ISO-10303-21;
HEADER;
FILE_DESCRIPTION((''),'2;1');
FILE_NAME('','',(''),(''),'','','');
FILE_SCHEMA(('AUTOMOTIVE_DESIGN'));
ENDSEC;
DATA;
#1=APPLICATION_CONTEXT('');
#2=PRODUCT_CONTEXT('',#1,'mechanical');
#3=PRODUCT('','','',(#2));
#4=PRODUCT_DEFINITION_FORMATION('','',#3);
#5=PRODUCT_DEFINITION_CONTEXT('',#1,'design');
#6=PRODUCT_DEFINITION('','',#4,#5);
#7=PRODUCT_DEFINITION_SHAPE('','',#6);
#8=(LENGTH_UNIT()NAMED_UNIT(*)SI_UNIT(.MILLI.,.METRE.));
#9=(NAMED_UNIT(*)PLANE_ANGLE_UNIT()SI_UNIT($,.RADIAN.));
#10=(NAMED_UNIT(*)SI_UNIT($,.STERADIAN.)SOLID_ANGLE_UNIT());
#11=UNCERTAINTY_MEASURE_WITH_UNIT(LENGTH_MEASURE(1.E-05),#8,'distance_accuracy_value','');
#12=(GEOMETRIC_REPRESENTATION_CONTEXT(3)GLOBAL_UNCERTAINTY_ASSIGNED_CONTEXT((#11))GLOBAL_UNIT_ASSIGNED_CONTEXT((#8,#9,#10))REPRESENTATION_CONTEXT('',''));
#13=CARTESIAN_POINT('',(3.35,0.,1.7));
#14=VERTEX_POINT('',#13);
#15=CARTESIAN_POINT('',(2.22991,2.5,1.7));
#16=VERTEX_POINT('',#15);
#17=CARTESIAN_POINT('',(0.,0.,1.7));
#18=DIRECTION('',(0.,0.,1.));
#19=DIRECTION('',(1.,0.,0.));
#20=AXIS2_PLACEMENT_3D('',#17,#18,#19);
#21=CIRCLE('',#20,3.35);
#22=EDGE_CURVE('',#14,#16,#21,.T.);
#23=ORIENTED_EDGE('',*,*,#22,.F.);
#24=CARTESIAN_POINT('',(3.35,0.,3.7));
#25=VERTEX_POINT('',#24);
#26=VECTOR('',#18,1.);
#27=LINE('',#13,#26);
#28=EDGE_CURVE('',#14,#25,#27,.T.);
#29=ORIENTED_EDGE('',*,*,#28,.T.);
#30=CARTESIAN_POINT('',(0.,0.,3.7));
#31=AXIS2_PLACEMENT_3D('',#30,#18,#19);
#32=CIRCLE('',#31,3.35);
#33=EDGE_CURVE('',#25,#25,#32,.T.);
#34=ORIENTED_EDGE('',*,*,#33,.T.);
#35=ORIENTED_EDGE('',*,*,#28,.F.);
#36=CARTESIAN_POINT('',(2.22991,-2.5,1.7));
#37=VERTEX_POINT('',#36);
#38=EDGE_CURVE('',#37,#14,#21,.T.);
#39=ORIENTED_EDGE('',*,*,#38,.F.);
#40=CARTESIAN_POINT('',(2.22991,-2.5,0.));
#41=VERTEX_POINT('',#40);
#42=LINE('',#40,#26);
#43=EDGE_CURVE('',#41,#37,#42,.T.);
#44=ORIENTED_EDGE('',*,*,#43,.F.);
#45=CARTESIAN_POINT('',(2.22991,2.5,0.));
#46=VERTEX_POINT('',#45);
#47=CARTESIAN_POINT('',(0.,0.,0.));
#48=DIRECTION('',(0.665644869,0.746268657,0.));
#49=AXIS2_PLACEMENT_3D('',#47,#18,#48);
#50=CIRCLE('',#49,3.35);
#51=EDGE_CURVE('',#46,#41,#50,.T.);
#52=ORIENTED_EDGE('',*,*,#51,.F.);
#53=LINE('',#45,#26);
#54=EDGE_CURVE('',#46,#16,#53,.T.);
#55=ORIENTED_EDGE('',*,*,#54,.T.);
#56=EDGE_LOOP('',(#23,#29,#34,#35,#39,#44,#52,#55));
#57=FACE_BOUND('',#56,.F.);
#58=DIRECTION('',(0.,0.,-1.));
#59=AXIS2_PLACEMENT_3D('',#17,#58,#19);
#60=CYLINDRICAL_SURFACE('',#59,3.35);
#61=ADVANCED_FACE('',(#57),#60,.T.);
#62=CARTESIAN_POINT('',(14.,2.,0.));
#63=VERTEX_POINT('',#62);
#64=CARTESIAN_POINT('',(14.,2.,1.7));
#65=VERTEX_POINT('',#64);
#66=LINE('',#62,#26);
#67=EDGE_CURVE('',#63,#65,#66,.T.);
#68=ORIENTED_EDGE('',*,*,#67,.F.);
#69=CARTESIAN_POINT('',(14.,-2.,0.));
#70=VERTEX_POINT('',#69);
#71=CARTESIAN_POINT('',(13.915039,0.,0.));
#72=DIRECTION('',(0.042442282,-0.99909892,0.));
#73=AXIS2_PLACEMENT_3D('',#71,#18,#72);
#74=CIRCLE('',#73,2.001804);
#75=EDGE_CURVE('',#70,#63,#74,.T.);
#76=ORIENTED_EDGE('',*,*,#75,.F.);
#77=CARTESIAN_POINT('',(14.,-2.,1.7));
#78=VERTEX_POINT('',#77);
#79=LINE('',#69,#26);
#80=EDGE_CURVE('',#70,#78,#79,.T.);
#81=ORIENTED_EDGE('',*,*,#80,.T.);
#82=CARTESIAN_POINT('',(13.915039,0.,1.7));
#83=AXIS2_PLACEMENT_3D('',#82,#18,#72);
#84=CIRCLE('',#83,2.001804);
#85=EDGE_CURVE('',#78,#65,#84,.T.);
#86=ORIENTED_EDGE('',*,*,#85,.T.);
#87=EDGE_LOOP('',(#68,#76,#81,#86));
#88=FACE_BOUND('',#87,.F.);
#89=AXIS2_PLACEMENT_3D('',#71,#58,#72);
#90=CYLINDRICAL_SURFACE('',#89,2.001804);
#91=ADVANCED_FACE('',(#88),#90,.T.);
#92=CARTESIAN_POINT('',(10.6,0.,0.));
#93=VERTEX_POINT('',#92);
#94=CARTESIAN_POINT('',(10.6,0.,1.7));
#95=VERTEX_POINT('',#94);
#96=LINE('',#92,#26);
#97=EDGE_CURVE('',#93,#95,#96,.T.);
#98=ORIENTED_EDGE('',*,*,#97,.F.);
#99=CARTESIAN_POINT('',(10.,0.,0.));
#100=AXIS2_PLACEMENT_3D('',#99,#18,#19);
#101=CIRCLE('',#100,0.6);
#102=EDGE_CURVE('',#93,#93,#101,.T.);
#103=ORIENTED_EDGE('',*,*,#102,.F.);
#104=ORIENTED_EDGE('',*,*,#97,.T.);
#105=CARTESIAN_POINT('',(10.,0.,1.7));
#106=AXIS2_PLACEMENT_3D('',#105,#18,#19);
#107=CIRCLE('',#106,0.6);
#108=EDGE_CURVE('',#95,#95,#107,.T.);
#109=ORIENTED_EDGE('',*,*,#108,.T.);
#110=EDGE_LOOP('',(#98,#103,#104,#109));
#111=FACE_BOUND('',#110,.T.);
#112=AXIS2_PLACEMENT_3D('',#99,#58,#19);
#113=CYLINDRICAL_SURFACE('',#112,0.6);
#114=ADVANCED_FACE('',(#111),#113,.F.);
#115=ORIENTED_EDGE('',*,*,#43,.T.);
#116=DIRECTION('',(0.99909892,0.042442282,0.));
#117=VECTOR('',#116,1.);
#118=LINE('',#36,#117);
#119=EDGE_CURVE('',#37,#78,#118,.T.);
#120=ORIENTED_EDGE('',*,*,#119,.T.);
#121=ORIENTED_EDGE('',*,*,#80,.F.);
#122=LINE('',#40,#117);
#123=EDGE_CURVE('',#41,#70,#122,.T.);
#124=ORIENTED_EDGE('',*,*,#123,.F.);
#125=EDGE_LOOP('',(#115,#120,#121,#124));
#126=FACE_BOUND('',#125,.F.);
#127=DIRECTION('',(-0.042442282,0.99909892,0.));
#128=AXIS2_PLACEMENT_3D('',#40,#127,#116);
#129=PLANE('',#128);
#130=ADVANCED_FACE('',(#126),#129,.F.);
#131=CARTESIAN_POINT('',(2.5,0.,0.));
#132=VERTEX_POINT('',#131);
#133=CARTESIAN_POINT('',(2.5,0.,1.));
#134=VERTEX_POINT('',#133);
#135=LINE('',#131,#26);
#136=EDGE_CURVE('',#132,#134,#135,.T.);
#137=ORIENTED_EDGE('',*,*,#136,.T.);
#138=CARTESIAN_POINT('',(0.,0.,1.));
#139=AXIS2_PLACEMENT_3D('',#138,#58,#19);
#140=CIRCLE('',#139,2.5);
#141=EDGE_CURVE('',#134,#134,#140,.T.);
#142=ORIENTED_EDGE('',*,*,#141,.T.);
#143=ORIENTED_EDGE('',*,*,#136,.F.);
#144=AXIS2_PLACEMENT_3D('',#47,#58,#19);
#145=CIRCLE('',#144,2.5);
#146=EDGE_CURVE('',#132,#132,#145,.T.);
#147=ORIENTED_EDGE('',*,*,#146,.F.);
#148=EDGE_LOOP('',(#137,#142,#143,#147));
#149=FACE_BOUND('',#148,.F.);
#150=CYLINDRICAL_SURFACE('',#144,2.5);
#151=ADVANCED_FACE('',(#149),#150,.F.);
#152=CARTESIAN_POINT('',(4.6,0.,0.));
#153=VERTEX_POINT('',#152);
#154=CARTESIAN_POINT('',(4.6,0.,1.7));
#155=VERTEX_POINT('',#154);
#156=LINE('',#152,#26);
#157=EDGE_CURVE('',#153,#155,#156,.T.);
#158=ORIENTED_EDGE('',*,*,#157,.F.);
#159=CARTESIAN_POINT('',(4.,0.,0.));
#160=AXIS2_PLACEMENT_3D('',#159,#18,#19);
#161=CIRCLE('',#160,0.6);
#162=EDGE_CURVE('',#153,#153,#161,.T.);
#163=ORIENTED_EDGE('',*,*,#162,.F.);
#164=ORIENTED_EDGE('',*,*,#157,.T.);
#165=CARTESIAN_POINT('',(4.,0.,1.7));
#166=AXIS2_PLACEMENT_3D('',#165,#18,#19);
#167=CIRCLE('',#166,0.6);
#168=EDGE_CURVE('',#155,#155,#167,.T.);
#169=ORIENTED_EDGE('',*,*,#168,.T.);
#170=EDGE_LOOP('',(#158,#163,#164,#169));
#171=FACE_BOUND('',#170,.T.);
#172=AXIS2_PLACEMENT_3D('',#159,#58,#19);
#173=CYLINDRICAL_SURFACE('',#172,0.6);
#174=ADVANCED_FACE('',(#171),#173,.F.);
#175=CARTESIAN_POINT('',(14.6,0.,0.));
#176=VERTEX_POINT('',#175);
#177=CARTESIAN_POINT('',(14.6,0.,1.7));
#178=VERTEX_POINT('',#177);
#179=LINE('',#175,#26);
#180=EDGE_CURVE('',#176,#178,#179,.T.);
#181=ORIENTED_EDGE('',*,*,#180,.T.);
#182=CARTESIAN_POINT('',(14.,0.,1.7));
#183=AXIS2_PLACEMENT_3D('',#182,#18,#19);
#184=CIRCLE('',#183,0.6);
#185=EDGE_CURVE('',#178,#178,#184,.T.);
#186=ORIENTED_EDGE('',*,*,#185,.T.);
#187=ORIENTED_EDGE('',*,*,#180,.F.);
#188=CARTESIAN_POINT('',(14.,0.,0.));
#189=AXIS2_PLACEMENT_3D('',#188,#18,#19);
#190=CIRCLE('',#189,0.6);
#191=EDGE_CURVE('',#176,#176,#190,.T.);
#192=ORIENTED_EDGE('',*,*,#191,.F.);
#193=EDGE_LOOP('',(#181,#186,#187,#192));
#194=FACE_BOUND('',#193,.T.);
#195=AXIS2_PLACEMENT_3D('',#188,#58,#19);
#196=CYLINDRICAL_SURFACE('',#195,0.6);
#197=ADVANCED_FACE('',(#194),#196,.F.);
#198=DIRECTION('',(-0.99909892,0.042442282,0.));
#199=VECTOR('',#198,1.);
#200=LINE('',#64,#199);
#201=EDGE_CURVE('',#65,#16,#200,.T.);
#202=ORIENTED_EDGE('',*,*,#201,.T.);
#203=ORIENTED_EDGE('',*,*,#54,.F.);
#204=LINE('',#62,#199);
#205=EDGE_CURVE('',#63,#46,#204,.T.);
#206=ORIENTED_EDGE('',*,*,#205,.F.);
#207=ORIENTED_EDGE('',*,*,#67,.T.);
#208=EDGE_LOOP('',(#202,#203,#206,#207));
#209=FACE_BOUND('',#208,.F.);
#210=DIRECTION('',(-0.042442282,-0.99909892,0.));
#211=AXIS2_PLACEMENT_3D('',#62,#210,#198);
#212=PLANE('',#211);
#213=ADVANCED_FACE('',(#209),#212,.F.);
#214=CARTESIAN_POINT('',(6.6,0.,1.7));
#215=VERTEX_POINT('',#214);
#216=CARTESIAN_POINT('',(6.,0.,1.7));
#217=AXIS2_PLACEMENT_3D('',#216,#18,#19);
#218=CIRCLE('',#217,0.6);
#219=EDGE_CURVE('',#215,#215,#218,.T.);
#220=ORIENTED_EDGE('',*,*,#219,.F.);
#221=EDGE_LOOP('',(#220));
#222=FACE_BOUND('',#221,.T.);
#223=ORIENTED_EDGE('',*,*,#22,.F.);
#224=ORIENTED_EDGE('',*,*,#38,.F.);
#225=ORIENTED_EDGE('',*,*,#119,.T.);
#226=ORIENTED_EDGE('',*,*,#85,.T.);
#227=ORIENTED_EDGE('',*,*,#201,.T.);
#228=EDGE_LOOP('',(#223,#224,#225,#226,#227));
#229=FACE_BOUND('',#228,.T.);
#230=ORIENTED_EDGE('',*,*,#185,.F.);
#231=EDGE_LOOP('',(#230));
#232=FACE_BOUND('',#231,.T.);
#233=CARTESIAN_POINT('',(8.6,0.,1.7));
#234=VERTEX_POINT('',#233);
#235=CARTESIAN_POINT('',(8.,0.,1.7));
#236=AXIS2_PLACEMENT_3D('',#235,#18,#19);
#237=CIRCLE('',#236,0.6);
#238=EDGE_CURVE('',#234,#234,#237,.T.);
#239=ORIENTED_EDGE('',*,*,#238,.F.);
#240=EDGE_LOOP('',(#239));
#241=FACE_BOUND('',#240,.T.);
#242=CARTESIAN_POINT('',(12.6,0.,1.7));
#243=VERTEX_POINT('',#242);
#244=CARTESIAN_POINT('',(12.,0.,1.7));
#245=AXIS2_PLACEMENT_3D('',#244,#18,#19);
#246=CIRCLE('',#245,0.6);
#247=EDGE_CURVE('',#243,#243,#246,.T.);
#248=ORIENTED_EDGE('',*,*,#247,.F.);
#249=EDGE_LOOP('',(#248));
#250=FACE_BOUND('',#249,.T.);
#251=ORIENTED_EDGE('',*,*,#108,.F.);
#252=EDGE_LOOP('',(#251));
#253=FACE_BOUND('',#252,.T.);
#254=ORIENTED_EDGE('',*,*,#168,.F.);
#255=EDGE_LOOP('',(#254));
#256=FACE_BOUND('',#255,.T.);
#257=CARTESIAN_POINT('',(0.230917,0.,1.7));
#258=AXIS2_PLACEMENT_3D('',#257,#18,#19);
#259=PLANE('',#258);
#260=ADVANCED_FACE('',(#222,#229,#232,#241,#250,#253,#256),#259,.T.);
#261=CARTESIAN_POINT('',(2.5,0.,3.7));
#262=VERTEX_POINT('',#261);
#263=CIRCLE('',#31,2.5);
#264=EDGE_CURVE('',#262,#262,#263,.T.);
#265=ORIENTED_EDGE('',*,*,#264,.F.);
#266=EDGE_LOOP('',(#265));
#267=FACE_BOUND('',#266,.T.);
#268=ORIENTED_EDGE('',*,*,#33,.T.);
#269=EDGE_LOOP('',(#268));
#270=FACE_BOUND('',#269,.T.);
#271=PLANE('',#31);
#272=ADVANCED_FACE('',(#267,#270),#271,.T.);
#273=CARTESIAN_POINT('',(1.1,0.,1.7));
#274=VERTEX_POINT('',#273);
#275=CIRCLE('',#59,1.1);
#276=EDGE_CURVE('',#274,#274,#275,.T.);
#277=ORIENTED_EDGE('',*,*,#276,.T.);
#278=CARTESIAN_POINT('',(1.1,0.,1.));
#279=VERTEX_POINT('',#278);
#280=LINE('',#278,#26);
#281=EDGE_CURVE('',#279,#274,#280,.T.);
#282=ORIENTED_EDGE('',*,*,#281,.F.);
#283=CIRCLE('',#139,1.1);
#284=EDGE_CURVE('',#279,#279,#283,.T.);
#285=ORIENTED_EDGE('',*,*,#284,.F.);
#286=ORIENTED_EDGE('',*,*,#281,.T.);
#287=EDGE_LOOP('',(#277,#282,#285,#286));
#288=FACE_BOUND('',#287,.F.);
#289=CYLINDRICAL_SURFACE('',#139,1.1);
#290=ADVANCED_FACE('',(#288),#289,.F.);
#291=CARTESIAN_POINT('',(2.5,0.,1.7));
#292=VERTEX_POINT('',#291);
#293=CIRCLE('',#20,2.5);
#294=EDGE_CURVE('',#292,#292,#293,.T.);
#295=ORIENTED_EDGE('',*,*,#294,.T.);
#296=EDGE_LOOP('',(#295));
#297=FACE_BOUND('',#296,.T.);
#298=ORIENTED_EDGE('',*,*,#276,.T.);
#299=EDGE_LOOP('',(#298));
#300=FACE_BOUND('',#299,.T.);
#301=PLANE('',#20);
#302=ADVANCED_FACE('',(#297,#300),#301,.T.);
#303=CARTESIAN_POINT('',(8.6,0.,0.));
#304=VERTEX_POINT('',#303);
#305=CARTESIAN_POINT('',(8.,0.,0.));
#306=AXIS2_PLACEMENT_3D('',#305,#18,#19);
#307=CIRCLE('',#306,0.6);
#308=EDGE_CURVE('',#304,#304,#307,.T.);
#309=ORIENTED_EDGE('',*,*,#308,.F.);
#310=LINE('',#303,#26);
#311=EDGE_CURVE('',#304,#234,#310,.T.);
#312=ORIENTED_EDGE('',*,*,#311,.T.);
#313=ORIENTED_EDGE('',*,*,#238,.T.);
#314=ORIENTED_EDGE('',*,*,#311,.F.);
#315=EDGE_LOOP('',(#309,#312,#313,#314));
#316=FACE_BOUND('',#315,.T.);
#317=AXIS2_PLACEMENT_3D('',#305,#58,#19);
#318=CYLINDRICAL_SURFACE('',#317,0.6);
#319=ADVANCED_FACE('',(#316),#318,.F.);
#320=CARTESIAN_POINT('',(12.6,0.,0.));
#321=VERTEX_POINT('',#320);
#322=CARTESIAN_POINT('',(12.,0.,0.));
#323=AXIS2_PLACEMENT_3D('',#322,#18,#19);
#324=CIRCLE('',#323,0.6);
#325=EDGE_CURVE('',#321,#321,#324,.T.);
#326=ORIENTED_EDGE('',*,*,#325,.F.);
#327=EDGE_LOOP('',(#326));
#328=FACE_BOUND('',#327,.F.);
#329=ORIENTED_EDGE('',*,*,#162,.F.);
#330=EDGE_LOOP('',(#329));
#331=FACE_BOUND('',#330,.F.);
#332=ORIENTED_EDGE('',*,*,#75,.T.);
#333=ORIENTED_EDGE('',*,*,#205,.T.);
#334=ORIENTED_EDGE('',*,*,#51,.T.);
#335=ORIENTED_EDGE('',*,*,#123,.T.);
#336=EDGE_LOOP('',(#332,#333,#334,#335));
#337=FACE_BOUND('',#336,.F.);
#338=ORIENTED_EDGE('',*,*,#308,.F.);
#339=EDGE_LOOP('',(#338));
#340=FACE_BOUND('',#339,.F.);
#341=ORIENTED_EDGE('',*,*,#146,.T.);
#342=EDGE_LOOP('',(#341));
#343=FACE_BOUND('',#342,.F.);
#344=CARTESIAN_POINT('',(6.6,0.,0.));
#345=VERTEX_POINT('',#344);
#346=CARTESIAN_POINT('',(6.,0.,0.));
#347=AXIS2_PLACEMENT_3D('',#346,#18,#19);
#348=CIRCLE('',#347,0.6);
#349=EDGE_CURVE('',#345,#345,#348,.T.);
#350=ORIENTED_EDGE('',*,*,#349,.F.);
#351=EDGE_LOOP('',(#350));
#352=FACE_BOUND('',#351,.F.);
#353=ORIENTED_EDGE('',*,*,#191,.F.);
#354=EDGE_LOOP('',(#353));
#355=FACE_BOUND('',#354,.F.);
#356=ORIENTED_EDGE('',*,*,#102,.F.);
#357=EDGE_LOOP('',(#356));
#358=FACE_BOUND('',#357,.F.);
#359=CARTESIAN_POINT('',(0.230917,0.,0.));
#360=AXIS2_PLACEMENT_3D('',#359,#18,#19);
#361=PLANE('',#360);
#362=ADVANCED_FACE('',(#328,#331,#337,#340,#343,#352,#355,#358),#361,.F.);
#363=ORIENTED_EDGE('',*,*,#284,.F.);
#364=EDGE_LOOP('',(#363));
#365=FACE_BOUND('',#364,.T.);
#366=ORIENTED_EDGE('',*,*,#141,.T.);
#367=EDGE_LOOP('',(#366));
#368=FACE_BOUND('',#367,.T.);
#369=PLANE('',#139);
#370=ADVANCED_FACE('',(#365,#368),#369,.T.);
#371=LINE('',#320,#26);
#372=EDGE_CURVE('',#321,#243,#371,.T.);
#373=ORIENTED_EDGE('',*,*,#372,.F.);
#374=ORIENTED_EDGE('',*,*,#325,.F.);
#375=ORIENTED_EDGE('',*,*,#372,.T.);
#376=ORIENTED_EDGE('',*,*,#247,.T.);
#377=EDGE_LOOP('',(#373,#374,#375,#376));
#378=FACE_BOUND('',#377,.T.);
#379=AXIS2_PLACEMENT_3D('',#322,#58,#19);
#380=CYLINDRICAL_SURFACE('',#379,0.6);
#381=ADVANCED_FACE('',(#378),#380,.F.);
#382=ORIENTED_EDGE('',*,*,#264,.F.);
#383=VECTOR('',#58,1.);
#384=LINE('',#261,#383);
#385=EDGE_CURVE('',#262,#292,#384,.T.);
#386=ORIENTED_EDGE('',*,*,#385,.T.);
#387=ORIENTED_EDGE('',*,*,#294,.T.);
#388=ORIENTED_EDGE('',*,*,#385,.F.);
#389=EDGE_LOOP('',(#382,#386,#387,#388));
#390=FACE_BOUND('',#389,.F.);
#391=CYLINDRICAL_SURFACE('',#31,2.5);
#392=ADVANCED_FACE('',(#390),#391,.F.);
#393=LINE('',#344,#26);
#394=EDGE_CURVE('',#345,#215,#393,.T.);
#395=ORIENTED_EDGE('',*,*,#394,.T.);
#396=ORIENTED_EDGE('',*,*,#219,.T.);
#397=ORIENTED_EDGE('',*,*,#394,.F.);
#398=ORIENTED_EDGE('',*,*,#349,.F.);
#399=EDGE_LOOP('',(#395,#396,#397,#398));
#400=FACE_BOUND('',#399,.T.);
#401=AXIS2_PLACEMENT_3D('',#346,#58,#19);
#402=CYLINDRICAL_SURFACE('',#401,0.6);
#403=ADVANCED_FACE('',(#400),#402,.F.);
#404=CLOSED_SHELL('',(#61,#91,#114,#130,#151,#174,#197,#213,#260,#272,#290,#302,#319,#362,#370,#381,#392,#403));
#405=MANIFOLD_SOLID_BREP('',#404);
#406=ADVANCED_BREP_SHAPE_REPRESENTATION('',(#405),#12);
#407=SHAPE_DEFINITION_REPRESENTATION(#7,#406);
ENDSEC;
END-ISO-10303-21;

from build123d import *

# Parameters (mm, degrees)
F0_R     = 0.6
F1_DEPTH = 1.7
F2_R     = 3.35
F3_DEPTH = 2
F4_R     = 2.5
F5_DEPTH = 1
F6_R     = 1.1
F7_DEPTH = 2.701
F8_R     = 2.5
F9_DEPTH = 2


with BuildPart() as f1:
    # F0 (on Top) → F1 (new body)
    with BuildSketch(Plane.XY):
        with BuildLine():
            ThreePointArc((2.2299103121, -2.5), (3.057180036, -1.369726333), (3.35, 0))
            ThreePointArc((3.35, 0), (3.057180036, 1.369726333), (2.2299103121, 2.5))
            ThreePointArc((2.2299103121, 2.5), (-3.35, 0), (2.2299103121, -2.5))
        make_face()
        with BuildLine():
            ThreePointArc((2.2299103121, 2.5), (3.057180036, 1.369726333), (3.35, 0))
            ThreePointArc((3.35, 0), (3.057180036, -1.369726333), (2.2299103121, -2.5))
            Line((2.2299103121, -2.5), (14, -2))
            ThreePointArc((14, -2), (15.9168426648, 0), (14, 2))
            Line((14, 2), (2.2299103121, 2.5))
        make_face()
        with Locations((4, 0)):
            Circle(F0_R, mode=Mode.SUBTRACT)
        with Locations((6, 0)):
            Circle(F0_R, mode=Mode.SUBTRACT)
        with Locations((8, 0)):
            Circle(F0_R, mode=Mode.SUBTRACT)
        with Locations((10, 0)):
            Circle(F0_R, mode=Mode.SUBTRACT)
        with Locations((12, 0)):
            Circle(F0_R, mode=Mode.SUBTRACT)
        with Locations((14, 0)):
            Circle(F0_R, mode=Mode.SUBTRACT)
    extrude(amount=F1_DEPTH)

    # F2 (on face) → F3 (join)
    with BuildSketch(Plane.XY.offset(1.7)):
        Circle(F2_R)
    extrude(amount=F3_DEPTH)

    # F4 (on face) → F5 (cut)
    with BuildSketch(Plane(origin=(0, 0, 0), x_dir=(1, 0, 0), z_dir=(0, 0, -1))):
        Circle(F4_R)
    extrude(amount=-F5_DEPTH, mode=Mode.SUBTRACT)

    # F6 (on face) → F7 (cut, through all)
    with BuildSketch(Plane(origin=(0, 0, 1), x_dir=(1, 0, 0), z_dir=(0, 0, -1))):
        Circle(F6_R)
    extrude(amount=-F7_DEPTH, mode=Mode.SUBTRACT)

    # F8 (on face) → F9 (cut)
    with BuildSketch(Plane.XY.offset(3.7)):
        Circle(F8_R)
    extrude(amount=-F9_DEPTH, mode=Mode.SUBTRACT)


solid = f1.part
